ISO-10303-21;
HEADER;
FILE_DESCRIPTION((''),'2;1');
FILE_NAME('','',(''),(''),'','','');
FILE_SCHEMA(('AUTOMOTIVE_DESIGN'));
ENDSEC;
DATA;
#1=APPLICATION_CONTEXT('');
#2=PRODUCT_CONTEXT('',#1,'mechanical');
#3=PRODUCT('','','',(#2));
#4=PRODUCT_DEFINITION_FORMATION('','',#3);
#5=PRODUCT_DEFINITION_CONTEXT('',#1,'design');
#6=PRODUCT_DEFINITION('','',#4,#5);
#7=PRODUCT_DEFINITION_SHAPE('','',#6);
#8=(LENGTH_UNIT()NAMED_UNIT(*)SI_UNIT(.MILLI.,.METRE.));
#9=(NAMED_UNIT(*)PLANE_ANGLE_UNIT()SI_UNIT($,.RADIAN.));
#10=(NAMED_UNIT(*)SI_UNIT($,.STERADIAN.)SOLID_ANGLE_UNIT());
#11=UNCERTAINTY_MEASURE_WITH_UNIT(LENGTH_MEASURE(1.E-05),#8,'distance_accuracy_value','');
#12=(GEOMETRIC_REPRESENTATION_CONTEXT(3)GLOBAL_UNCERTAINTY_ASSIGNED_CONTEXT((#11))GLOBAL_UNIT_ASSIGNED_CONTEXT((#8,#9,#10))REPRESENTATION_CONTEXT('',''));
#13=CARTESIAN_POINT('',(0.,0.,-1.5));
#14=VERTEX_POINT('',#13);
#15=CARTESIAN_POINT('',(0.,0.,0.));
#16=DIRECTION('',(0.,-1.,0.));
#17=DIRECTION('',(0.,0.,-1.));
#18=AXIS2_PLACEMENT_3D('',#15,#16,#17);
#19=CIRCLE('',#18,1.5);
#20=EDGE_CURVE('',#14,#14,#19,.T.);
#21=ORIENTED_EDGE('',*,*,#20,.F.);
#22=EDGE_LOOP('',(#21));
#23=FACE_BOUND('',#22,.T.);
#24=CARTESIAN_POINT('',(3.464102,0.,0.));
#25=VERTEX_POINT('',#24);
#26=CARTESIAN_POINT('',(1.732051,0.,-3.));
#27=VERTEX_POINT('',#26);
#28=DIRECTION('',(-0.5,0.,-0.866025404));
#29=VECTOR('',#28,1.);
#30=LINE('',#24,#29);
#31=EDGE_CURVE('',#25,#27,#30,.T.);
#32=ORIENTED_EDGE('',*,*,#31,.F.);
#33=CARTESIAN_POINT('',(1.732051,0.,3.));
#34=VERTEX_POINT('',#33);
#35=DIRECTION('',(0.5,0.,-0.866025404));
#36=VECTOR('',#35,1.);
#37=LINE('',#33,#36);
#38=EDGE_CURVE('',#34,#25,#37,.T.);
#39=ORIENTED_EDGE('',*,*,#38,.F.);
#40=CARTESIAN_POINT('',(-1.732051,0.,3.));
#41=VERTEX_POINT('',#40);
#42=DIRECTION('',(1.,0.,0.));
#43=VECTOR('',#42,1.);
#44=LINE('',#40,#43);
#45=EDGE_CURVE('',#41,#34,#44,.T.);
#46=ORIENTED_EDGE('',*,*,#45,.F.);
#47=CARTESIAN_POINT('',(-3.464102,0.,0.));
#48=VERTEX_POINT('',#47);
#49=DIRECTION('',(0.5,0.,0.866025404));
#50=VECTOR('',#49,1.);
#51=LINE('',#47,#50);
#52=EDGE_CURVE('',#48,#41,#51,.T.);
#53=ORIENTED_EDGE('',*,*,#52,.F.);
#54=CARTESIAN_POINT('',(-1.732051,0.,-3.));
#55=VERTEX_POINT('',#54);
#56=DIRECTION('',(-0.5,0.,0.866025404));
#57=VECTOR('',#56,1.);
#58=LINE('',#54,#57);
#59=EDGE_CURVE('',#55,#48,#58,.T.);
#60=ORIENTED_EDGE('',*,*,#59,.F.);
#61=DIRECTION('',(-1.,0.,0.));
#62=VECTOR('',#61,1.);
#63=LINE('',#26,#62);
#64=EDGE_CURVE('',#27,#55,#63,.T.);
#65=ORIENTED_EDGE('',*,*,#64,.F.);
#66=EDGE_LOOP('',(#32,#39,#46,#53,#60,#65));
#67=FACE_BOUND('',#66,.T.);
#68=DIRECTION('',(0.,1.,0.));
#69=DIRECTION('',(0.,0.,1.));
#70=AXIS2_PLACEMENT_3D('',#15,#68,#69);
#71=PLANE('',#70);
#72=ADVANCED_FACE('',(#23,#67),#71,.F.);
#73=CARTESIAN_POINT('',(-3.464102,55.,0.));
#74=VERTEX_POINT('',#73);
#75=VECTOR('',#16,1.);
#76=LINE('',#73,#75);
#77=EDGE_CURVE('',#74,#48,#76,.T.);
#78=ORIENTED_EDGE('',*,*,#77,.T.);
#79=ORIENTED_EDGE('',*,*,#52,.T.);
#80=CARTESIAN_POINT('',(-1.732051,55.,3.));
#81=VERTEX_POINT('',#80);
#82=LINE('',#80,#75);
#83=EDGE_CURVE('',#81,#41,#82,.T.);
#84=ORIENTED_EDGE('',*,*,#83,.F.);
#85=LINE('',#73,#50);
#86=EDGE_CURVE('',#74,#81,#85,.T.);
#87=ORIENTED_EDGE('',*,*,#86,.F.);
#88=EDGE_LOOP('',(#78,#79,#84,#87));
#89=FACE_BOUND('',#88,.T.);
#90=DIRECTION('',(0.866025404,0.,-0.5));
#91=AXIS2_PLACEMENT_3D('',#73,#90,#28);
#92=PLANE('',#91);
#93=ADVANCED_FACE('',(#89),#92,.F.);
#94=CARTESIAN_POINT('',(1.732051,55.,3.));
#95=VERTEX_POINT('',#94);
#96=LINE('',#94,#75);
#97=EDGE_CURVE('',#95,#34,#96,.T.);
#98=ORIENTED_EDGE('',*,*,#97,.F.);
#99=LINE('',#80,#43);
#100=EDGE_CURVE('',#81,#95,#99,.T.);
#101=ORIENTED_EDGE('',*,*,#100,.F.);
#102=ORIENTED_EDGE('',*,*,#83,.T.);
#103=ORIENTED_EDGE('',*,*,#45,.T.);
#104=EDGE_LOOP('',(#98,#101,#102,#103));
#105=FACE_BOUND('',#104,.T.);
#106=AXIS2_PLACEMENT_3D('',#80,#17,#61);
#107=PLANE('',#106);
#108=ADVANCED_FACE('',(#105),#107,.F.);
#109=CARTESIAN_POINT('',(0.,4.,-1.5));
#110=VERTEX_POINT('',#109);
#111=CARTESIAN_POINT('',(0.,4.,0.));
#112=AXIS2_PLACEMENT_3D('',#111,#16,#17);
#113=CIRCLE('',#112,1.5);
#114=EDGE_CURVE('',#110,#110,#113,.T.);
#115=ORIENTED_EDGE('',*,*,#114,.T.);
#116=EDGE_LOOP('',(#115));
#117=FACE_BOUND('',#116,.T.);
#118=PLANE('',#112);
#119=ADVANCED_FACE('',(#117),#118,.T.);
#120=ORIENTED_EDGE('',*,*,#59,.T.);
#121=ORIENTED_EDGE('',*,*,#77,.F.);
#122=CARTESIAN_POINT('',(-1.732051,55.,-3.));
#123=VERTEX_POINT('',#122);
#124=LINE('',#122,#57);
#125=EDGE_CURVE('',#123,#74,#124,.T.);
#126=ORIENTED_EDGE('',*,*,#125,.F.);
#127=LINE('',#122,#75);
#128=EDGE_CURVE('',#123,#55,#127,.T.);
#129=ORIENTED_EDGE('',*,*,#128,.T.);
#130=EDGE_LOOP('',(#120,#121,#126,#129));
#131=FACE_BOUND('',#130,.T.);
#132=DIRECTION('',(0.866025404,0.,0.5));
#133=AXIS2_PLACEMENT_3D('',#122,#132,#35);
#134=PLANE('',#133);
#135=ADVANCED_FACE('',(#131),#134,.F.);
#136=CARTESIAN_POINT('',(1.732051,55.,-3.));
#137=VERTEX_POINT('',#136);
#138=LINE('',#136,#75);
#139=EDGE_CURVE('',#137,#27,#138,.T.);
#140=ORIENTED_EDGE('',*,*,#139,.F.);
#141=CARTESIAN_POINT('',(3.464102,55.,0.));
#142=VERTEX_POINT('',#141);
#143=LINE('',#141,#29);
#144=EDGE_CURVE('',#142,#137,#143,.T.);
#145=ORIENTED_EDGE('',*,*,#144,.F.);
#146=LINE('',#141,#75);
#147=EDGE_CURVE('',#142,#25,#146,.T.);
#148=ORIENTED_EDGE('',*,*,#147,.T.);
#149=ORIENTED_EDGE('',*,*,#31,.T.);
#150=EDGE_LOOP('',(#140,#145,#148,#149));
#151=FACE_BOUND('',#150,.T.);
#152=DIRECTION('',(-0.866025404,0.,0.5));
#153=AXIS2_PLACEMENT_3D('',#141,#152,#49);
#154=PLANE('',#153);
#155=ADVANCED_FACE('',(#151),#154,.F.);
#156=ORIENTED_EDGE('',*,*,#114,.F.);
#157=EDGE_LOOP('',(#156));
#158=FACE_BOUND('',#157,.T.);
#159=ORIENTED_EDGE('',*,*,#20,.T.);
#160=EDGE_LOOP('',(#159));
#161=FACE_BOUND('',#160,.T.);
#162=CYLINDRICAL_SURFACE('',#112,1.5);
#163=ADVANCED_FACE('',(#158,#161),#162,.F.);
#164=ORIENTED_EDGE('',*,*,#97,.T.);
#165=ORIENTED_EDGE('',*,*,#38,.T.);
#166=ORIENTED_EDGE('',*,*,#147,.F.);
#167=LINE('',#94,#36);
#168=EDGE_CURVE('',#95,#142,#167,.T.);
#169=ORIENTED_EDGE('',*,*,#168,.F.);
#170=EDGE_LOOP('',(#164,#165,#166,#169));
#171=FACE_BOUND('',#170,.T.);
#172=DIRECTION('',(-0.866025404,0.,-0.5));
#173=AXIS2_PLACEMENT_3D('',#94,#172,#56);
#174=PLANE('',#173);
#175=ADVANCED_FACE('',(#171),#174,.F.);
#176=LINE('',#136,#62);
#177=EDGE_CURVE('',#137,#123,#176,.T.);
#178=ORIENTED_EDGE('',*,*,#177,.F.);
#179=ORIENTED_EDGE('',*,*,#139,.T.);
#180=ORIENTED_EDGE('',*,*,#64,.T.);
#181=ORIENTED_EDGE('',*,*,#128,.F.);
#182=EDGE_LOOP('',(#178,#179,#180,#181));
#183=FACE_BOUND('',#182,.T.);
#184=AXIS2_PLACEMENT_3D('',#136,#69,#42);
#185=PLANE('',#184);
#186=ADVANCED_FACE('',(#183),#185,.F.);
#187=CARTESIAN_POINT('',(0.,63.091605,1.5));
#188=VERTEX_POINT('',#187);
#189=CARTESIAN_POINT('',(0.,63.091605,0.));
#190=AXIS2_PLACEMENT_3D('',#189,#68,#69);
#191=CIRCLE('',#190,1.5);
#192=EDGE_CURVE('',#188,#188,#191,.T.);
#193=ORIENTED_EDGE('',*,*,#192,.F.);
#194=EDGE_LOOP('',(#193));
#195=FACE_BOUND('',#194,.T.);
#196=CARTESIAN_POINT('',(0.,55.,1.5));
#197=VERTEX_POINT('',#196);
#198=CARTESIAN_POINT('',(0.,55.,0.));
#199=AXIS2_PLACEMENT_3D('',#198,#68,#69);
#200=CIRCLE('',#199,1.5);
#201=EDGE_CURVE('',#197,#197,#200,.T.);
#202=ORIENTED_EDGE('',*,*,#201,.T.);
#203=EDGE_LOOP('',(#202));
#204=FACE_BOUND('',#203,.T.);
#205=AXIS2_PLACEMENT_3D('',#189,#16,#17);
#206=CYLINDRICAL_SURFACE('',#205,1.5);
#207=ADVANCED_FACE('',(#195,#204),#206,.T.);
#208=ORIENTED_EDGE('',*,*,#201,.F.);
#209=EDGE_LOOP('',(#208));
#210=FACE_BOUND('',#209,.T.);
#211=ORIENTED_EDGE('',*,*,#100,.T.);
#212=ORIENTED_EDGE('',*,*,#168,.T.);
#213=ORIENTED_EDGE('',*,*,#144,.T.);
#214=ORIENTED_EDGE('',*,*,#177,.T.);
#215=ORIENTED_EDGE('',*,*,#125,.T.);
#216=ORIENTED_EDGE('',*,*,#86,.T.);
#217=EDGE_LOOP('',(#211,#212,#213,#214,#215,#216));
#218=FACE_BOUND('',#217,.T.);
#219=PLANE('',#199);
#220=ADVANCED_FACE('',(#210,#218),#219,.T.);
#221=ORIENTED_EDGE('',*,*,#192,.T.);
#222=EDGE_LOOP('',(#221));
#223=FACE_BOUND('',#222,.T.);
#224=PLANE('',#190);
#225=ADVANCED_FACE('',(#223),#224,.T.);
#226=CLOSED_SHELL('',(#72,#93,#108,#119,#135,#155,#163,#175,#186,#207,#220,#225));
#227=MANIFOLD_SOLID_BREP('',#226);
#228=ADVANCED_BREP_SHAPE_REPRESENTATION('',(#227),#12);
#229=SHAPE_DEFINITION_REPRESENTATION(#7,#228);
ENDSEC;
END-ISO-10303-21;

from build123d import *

# Parameters (mm, degrees)
BOSS_EXTRUDE1_DEPTH = 55
SKETCH5_R           = 1.5
BOSS_EXTRUDE2_DEPTH = 8.091605471
SKETCH6_R           = 1.5
CUT_EXTRUDE1_DEPTH  = 4


with BuildPart() as part:
    # Sketch3 → Boss-Extrude1 (new body)
    with BuildSketch(Plane(origin=(0, 0, 0), x_dir=(1, 0, 0), z_dir=(0, 1, 0))):
        Polygon((-3.464101615, 0), (-1.732050808, -3), (1.732050808, -3), (3.464101615, 0), (1.732050808, 3), (-1.732050808, 3), align=None)
    extrude(amount=BOSS_EXTRUDE1_DEPTH)

    # Sketch5 → Boss-Extrude2 (add)
    with BuildSketch(Plane(origin=(0, 55, 0), x_dir=(1, 0, 0), z_dir=(0, 1, 0))):
        with Locations(Location((0, 0, 0), (0, 0, 270))):
            Circle(SKETCH5_R)
    extrude(amount=BOSS_EXTRUDE2_DEPTH)

    # Sketch6 → Cut-Extrude1 (cut)
    with BuildSketch(Plane.XZ):
        with Locations(Location((0, 0, 0), (0, 0, 90))):
            Circle(SKETCH6_R)
    extrude(amount=-CUT_EXTRUDE1_DEPTH, mode=Mode.SUBTRACT)


solid = part.part
